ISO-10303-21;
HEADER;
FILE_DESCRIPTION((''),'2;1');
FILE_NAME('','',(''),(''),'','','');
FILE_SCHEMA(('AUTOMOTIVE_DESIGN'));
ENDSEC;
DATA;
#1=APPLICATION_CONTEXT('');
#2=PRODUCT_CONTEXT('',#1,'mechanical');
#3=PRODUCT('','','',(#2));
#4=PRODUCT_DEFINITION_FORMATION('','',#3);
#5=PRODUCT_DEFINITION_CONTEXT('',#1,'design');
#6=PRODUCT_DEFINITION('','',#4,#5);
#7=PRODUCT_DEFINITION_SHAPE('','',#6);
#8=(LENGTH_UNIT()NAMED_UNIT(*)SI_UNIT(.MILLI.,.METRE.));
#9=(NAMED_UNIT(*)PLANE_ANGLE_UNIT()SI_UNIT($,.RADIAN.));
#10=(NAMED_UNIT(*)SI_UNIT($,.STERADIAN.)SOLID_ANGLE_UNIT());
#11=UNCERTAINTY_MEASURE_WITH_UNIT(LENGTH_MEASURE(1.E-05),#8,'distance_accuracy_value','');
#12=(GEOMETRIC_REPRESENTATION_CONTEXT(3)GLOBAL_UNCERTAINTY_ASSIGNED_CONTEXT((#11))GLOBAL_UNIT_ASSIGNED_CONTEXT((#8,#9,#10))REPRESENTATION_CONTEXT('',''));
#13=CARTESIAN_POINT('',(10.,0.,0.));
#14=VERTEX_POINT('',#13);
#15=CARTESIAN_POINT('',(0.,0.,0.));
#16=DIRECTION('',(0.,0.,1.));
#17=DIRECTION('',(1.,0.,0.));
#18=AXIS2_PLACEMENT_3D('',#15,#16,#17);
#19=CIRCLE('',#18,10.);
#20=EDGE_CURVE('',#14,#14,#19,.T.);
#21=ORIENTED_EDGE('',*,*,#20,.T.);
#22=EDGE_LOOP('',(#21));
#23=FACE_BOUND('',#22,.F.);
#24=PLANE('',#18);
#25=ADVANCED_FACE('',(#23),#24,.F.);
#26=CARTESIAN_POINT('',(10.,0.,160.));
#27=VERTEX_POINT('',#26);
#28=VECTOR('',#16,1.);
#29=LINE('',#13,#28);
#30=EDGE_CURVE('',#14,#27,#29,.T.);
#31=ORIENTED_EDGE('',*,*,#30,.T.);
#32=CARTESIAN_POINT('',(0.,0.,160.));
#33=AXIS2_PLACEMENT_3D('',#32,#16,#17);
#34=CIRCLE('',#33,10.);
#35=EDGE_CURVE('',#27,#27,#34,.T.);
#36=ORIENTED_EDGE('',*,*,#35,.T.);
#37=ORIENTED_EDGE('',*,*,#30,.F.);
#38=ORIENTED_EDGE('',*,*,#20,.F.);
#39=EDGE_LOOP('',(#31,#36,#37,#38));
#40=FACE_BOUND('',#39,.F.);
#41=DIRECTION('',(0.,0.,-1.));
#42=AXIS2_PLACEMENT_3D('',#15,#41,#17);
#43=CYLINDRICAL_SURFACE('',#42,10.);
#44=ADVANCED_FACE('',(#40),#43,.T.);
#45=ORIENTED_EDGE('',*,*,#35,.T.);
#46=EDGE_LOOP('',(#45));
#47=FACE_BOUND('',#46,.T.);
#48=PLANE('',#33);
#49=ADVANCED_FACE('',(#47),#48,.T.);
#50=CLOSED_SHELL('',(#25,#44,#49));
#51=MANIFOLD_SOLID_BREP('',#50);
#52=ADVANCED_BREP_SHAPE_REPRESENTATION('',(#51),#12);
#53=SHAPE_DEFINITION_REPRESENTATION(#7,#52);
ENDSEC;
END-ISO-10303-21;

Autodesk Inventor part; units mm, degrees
ref_plane "YZ Plane" through (0, 0, 0) normal (1, 0, 0) x (0, 1, 0)
ref_plane "XZ Plane" through (0, 0, 0) normal (0, 1, 0) x (-1, 0, 0)
ref_plane "XY Plane" through (0, 0, 0) normal (0, 0, 1) x (1, 0, 0)
sketch "Sketch1" plane through (0, 0, 0) normal (0, 0, 1) x (1, 0, 0)
  circle A0 centre (0, 0) radius 10
  dimension "d0" = 20
extrude "Extrusion1" add sketch "Sketch1" along normal blind 160
properties part number "pin" material "Pine, Southern"
